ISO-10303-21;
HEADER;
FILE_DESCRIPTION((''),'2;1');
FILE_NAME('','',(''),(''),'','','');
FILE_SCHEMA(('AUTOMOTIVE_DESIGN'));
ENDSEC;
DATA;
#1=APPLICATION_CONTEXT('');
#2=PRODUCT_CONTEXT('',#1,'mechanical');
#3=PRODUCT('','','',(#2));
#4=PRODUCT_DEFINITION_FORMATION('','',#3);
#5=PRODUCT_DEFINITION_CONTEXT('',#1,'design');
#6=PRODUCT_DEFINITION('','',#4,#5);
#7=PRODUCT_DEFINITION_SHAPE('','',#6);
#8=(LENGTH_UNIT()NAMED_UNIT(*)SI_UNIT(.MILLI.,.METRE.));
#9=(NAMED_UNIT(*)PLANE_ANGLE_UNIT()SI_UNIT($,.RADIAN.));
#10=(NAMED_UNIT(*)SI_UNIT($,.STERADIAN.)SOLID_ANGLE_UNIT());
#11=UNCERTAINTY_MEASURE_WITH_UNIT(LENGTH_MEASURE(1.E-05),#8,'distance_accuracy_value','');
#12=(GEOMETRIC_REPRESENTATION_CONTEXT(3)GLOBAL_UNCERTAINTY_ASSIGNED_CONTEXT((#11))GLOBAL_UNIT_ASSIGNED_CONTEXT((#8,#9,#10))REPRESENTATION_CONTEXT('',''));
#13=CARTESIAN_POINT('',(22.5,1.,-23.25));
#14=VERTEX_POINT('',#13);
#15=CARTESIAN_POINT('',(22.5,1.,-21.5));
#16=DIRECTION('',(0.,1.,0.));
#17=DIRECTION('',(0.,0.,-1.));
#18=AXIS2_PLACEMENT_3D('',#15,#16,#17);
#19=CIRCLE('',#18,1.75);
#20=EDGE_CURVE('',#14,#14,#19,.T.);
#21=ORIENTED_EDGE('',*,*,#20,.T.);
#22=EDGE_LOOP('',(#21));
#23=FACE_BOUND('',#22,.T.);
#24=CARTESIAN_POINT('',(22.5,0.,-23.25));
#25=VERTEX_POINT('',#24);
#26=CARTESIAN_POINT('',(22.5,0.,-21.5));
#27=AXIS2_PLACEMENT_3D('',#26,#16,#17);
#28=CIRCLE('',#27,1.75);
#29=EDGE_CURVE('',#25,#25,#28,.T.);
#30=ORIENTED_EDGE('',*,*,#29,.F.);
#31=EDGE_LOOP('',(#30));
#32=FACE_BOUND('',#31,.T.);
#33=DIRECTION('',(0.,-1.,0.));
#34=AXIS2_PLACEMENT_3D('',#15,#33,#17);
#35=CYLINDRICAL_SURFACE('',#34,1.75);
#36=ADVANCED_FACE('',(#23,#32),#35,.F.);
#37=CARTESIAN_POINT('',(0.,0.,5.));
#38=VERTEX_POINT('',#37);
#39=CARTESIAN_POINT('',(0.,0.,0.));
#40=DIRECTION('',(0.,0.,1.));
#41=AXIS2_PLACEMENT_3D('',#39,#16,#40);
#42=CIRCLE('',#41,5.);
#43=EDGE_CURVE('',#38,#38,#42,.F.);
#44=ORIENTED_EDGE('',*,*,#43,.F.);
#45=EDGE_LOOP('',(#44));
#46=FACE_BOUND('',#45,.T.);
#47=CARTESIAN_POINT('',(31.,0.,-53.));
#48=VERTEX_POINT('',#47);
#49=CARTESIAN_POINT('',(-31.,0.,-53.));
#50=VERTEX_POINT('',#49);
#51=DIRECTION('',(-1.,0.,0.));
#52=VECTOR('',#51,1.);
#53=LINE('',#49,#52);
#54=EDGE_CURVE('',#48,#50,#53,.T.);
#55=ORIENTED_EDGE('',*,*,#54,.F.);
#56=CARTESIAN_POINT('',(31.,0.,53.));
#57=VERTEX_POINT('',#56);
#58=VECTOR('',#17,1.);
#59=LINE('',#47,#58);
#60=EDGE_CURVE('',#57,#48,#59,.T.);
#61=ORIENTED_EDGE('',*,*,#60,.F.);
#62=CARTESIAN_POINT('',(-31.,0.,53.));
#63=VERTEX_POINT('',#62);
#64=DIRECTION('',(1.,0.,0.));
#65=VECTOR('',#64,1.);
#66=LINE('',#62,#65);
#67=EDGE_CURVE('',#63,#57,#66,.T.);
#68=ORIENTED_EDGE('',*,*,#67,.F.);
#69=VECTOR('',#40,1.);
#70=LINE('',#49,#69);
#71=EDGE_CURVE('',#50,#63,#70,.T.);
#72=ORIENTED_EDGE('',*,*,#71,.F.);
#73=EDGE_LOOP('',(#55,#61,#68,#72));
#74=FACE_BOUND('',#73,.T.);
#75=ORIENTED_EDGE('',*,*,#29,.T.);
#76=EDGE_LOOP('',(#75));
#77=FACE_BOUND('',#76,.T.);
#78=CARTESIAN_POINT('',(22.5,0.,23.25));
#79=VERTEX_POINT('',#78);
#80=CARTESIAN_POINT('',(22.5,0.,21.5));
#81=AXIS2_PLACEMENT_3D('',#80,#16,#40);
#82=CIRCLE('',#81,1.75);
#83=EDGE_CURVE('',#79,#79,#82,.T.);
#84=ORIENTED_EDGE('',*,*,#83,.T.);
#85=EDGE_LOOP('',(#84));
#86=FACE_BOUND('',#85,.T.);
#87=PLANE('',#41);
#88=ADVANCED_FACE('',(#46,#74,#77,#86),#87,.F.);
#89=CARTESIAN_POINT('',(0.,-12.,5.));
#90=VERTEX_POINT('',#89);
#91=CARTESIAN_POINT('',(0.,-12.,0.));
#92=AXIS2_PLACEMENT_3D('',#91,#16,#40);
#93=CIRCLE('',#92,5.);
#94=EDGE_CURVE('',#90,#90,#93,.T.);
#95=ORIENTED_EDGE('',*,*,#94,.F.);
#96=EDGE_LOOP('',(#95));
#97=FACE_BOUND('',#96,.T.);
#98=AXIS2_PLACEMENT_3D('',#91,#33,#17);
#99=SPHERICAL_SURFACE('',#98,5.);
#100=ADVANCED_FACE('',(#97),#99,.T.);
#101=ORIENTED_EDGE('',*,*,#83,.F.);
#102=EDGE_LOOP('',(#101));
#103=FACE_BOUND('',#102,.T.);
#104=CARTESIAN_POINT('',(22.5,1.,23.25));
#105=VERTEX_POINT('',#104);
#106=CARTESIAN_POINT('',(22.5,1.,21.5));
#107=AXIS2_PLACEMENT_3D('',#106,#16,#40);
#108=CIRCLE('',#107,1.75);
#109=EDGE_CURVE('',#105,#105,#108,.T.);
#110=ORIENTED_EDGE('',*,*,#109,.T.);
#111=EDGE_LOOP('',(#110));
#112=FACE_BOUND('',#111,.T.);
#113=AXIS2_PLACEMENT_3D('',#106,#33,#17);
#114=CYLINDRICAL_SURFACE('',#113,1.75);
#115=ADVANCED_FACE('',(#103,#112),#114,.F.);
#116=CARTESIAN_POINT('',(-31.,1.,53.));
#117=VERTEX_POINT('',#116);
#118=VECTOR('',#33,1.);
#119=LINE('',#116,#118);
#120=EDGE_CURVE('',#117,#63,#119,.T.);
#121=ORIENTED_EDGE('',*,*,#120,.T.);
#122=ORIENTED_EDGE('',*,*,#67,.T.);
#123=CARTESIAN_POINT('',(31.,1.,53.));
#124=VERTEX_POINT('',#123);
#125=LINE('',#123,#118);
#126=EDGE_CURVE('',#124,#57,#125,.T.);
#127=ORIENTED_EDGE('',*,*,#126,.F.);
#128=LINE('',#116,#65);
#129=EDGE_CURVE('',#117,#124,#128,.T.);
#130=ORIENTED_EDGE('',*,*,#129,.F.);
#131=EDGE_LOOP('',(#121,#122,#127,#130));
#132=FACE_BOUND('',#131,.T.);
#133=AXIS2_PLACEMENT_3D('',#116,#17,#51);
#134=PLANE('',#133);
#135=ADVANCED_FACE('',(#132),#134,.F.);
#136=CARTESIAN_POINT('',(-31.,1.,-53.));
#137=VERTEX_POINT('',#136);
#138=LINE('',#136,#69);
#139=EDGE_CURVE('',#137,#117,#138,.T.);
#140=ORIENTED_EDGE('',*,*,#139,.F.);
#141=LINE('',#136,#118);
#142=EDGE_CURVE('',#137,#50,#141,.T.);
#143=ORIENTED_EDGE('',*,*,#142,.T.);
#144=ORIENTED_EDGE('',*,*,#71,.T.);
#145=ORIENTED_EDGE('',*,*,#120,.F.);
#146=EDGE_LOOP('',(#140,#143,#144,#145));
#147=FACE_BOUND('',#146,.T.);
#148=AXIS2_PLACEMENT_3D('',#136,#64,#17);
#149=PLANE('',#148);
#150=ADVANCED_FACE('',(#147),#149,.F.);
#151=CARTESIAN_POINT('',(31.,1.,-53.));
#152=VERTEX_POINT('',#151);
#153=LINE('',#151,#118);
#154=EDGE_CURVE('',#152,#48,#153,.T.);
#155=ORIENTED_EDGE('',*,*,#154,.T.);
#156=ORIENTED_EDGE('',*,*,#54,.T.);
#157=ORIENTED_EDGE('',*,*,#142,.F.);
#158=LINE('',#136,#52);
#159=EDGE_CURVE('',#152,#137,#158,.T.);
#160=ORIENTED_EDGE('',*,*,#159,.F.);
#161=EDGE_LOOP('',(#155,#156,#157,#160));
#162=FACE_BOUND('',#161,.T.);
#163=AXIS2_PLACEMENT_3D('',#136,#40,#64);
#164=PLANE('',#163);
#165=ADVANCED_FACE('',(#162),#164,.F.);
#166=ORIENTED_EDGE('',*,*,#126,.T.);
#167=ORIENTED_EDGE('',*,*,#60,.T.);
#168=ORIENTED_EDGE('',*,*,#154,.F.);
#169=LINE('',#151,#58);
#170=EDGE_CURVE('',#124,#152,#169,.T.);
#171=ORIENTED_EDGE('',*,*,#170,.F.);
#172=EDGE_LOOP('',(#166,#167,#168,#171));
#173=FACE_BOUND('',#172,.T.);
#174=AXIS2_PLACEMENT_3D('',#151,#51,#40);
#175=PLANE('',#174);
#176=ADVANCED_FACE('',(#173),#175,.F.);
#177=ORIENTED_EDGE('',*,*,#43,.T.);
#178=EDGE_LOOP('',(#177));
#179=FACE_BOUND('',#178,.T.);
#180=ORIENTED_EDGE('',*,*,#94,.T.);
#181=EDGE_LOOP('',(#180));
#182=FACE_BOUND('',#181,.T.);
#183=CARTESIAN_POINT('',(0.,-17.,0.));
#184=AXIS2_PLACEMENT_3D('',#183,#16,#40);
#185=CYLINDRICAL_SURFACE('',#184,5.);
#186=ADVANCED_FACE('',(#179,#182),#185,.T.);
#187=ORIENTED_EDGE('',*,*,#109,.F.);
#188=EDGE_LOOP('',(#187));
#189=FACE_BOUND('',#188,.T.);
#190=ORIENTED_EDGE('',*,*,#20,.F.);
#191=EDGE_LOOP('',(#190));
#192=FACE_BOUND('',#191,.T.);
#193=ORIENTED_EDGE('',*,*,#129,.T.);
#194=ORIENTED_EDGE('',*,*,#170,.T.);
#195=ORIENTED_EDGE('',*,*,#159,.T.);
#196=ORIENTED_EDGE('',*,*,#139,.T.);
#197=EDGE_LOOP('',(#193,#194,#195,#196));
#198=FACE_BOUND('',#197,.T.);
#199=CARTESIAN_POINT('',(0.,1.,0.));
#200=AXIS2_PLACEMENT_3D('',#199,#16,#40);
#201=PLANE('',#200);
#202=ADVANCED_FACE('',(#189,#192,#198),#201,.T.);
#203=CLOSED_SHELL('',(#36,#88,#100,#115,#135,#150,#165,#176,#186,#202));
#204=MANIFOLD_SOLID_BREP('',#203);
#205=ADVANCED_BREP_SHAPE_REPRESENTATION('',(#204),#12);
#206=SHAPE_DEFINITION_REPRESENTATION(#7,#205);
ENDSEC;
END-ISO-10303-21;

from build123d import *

# Parameters (mm, degrees)
SKETCH1_W           = 62
SKETCH1_H           = 106
SKETCH1_R           = 1.75
BOSS_EXTRUDE1_DEPTH = 1
SKETCH2_R           = 5
BOSS_EXTRUDE2_DEPTH = 17
FILLET1_R           = 5


with BuildPart() as part:
    # Sketch1 → Boss-Extrude1 (new body)
    with BuildSketch(Plane(origin=(0, 0, 0), x_dir=(1, 0, 0), z_dir=(0, 1, 0))):
        Rectangle(SKETCH1_W, SKETCH1_H)
        with Locations((22.5, -21.5)):
            Circle(SKETCH1_R, mode=Mode.SUBTRACT)
        with Locations((22.5, 21.5)):
            Circle(SKETCH1_R, mode=Mode.SUBTRACT)
    extrude(amount=BOSS_EXTRUDE1_DEPTH)

    # Sketch2 → Boss-Extrude2 (add)
    with BuildSketch(Plane.XZ):
        Circle(SKETCH2_R)
    extrude(amount=BOSS_EXTRUDE2_DEPTH)

    # Fillet1
    fillet1_edges = [part.edges().sort_by_distance(p)[0] for p in [
        (-5, -17, 0),
    ]]
    fillet(fillet1_edges, radius=FILLET1_R)


solid = part.part
